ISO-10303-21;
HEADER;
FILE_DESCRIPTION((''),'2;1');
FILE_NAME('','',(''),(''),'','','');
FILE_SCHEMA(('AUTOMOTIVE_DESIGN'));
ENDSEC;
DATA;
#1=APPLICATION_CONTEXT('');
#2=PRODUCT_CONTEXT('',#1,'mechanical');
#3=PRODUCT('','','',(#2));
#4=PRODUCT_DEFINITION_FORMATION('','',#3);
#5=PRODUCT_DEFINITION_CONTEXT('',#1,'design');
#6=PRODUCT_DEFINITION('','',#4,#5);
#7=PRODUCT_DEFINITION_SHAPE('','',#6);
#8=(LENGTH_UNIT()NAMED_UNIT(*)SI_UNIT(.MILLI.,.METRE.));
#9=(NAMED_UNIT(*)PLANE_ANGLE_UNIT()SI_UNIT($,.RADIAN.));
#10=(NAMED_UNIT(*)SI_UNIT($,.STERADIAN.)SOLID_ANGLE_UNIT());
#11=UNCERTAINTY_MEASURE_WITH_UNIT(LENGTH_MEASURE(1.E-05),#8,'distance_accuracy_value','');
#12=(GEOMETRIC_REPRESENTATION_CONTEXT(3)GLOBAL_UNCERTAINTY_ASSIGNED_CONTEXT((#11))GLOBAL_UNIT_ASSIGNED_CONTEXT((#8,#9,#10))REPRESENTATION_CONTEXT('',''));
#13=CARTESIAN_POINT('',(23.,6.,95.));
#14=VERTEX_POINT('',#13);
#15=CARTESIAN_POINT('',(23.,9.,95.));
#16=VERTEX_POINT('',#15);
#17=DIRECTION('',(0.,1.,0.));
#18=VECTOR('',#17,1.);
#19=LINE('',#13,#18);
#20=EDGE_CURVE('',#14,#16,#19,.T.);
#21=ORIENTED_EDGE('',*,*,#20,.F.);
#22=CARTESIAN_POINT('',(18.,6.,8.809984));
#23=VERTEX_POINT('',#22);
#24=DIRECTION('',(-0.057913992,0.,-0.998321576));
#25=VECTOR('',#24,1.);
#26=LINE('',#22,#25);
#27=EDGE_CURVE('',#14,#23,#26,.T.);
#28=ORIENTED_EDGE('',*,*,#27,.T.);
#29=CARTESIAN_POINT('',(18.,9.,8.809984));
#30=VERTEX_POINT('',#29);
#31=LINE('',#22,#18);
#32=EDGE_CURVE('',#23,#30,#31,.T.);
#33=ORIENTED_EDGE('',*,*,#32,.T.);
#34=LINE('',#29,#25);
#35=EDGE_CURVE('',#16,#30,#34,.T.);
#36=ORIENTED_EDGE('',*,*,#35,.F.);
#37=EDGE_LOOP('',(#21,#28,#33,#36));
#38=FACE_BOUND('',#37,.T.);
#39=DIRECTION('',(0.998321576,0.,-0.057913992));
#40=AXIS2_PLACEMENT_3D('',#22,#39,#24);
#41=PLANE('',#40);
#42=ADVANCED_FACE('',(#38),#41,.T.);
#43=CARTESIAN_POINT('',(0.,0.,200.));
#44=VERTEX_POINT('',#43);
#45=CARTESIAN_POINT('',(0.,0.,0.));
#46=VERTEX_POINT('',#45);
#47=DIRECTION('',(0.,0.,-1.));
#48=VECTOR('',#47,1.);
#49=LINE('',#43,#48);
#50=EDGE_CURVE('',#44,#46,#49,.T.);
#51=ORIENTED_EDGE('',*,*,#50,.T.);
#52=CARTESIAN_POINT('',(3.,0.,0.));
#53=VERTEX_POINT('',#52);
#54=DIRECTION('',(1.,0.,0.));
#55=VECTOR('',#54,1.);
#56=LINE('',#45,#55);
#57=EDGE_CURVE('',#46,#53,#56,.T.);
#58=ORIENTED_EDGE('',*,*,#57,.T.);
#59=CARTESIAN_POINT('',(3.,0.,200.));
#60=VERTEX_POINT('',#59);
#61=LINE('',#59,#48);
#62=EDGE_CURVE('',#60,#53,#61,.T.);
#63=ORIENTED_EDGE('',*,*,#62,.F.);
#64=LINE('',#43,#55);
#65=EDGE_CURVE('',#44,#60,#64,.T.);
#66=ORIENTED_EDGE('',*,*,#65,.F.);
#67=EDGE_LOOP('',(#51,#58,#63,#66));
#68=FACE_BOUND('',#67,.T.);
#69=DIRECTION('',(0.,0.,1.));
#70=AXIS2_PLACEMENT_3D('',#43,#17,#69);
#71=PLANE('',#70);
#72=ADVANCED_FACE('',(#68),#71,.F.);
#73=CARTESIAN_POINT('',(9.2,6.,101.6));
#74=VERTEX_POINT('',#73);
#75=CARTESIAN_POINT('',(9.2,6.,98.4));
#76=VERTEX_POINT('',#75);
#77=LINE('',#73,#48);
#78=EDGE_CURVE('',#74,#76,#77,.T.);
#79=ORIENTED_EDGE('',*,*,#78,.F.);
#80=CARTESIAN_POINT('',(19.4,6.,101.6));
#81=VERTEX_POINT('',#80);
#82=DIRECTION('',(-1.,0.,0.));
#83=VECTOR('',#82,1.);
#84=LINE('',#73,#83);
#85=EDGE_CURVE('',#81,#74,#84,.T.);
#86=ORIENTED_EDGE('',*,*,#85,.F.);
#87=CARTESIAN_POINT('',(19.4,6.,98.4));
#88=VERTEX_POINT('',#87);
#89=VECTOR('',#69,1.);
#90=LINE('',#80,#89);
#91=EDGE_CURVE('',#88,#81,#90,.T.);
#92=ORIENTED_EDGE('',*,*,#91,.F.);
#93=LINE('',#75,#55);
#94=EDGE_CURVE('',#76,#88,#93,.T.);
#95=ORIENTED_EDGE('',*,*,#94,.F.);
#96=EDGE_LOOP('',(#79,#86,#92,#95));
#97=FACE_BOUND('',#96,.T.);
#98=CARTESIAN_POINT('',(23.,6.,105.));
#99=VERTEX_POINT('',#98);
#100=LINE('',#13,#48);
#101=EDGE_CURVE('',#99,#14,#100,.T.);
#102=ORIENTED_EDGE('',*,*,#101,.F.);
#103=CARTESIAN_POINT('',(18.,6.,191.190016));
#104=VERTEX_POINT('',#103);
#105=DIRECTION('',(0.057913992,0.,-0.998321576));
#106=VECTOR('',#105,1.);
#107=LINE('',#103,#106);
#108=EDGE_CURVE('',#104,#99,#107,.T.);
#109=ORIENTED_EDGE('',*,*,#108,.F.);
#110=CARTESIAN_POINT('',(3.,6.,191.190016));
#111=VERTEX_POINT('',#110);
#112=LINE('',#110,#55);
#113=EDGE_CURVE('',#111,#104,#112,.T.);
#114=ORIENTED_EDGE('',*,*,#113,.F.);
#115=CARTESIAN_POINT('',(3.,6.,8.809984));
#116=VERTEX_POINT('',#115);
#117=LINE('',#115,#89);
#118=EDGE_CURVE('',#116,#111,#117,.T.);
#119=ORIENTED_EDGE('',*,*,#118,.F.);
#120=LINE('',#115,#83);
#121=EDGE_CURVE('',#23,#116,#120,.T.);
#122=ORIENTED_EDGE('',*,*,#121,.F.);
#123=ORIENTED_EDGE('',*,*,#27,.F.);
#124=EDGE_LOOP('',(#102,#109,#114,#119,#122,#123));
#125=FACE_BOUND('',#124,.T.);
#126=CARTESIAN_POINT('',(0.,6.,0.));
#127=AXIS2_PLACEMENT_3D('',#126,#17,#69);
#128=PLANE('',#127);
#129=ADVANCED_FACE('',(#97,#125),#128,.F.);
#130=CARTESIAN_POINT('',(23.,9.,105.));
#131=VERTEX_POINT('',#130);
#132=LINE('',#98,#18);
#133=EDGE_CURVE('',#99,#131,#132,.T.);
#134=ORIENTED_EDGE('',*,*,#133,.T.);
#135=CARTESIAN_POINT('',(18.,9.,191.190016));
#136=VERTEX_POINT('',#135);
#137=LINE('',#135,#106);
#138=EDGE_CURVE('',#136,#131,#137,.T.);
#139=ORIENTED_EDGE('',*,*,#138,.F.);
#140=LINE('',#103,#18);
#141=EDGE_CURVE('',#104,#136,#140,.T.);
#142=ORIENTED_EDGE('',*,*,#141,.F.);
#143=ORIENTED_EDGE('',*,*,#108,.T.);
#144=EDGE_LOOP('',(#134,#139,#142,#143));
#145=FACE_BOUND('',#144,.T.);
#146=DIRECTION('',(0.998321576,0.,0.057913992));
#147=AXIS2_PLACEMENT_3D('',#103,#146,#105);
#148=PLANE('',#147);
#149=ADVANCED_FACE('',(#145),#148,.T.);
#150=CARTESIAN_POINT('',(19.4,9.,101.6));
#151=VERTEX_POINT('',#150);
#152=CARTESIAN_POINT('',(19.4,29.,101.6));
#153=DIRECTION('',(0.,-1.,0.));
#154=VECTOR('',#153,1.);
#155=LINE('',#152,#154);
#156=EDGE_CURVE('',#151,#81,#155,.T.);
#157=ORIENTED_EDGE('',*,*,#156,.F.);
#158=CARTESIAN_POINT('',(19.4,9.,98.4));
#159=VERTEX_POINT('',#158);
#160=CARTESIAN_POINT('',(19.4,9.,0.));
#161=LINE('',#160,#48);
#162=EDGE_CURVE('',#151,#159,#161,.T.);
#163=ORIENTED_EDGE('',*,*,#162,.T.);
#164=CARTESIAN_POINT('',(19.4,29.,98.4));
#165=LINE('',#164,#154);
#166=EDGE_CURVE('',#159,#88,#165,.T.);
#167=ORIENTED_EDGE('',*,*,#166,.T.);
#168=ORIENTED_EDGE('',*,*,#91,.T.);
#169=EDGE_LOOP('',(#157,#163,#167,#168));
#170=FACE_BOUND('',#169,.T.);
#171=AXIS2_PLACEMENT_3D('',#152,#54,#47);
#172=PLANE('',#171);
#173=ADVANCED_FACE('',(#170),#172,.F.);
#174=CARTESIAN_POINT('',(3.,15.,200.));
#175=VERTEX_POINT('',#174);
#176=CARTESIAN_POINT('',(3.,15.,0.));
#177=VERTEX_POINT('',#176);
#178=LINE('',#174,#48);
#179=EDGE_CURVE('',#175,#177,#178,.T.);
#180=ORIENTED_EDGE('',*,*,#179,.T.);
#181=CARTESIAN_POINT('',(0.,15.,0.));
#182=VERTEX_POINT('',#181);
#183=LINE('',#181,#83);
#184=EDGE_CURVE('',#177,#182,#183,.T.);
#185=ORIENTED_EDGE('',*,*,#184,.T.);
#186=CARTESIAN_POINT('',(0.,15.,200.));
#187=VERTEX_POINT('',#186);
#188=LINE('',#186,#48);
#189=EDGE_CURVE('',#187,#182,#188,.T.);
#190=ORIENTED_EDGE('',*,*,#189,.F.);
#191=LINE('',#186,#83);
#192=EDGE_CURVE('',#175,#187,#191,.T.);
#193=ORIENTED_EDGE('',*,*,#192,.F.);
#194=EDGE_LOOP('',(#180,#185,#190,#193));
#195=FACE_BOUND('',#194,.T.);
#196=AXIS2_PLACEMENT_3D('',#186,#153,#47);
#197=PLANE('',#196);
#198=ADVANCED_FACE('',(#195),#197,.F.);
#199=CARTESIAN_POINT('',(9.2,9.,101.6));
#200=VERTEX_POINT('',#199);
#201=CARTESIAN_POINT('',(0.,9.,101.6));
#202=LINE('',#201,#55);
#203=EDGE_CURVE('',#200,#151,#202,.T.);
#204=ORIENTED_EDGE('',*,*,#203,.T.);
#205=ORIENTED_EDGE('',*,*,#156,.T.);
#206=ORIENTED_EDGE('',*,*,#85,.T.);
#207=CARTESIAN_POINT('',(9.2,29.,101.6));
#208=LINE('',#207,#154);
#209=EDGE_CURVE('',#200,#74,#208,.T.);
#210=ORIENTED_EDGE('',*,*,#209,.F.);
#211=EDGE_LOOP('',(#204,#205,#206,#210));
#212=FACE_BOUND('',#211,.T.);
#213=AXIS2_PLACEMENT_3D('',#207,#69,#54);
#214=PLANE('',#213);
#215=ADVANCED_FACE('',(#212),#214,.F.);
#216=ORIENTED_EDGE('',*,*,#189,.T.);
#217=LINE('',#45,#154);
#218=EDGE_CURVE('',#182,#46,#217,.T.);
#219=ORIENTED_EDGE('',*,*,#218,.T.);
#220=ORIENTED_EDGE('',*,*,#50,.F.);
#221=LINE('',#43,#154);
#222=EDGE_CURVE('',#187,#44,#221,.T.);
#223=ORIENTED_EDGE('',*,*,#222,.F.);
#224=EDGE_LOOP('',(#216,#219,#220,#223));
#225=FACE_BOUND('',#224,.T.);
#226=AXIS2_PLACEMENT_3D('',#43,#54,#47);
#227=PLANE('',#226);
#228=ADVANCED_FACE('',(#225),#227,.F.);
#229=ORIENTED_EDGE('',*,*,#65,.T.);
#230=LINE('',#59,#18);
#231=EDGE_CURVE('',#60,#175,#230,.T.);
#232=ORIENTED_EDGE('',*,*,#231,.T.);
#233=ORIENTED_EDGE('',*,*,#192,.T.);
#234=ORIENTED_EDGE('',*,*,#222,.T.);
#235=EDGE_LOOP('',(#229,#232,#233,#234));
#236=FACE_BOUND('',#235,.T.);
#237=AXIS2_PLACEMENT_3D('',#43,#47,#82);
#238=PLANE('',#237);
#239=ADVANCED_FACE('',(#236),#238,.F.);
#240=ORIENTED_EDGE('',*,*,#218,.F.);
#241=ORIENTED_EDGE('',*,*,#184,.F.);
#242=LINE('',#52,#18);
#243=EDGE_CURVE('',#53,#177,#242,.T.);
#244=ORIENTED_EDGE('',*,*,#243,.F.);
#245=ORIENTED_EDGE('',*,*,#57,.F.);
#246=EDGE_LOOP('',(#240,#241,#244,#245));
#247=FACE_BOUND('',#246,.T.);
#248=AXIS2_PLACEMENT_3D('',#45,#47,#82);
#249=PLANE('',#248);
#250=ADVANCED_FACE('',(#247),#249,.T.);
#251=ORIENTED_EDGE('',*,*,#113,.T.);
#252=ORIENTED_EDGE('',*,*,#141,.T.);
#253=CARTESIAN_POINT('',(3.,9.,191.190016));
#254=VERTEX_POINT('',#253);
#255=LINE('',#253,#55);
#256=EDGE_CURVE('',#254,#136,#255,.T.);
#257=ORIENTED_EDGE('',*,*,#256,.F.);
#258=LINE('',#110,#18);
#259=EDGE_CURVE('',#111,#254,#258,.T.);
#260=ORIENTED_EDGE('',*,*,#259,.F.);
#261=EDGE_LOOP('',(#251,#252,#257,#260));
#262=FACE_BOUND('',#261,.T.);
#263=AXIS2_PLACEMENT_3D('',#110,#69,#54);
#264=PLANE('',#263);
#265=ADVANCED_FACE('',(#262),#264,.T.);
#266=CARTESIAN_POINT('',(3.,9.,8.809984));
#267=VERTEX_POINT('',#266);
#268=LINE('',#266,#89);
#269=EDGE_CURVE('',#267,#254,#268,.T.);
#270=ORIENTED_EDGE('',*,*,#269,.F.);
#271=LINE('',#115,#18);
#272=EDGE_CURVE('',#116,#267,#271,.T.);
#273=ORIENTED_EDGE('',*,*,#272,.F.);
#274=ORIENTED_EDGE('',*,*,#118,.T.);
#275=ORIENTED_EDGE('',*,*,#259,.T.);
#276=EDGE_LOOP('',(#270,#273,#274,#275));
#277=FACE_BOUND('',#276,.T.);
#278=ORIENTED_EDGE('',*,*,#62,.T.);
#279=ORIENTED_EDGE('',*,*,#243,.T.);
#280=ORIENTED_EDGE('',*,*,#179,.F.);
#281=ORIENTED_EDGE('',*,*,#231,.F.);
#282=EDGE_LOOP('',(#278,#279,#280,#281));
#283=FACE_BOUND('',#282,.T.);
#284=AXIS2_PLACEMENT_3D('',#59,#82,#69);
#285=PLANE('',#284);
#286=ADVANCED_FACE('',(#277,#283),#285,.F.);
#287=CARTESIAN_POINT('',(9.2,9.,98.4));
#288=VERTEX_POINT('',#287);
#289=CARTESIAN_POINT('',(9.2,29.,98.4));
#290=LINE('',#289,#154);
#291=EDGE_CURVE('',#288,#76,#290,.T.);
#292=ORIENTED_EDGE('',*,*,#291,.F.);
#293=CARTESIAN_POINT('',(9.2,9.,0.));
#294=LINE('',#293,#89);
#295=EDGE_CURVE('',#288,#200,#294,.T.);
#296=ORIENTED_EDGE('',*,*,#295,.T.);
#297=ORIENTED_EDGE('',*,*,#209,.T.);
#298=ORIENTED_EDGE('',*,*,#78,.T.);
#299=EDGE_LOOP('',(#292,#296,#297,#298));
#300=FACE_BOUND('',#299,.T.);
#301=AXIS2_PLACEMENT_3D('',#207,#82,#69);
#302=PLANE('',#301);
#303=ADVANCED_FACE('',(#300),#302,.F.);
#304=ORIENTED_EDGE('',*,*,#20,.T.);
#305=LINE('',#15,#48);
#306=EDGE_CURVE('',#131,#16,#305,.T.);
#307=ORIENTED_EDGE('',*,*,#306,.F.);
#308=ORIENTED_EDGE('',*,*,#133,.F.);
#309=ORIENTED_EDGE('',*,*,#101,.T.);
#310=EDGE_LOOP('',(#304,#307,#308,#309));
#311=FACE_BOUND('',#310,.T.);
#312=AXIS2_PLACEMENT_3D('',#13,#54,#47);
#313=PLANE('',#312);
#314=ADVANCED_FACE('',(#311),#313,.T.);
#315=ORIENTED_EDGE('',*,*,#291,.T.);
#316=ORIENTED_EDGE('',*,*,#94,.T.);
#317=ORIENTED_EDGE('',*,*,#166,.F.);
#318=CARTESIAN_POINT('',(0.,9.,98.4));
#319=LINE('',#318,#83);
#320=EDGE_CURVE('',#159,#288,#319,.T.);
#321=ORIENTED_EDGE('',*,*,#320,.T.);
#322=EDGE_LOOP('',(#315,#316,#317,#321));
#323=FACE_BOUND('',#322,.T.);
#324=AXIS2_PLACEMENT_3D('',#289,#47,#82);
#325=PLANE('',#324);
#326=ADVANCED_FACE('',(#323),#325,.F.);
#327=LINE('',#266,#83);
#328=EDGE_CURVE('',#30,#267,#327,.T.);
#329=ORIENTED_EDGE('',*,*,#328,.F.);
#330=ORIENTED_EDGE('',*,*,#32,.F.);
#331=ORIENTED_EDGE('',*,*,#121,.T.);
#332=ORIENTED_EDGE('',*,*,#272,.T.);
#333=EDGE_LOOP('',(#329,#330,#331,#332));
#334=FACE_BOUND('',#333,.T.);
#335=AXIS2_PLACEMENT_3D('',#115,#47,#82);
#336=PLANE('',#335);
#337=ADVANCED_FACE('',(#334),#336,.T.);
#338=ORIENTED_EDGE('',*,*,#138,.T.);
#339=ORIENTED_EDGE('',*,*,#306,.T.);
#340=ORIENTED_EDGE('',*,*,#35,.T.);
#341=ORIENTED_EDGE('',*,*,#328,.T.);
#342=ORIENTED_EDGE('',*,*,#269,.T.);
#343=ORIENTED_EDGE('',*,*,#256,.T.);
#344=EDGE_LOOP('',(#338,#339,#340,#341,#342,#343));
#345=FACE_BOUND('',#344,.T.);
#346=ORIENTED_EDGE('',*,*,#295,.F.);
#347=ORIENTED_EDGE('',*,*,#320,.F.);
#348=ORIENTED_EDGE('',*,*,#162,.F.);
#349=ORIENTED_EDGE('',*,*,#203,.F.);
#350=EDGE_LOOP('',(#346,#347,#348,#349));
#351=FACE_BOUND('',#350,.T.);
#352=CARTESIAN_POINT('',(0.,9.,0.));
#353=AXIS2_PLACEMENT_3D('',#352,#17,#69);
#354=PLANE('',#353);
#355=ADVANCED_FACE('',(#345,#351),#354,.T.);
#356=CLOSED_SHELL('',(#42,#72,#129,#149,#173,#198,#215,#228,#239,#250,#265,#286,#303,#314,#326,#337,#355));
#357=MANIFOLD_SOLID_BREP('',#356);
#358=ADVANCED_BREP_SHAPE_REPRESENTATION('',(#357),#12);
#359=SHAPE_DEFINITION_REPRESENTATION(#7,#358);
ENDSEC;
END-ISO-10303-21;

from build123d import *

# Parameters (mm, degrees)
SKETCH_1_W          = 3
SKETCH_1_H          = 15
EXTRUDE_1_DEPTH     = 200
EXTRUDE_7_DEPTH     = 3
SKETCH_13_W         = 10.2
SKETCH_13_H         = 3.2
CUT_EXTRUDE_2_DEPTH = 23


with BuildPart() as part:
    # 草图1 → 凸台-拉伸1 (new body)
    with BuildSketch(Plane.XY):
        with Locations((1.5, 7.5)):
            Rectangle(SKETCH_1_W, SKETCH_1_H)
    extrude(amount=EXTRUDE_1_DEPTH)

    # 草图12 → 凸台-拉伸7 (add)
    with BuildSketch(Plane(origin=(0, 9, 0), x_dir=(1, 0, 0), z_dir=(0, 1, 0))):
        Polygon((18, -191.190016229), (23, -105), (23, -95), (18, -8.809983771), (3, -8.809983771), (3, -191.190016229), align=None)
    extrude(amount=-EXTRUDE_7_DEPTH)

    # 草图13 → 切除-拉伸2 (cut)
    with BuildSketch(Plane.XZ.offset(-6)):
        with Locations((14.3, 100)):
            Rectangle(SKETCH_13_W, SKETCH_13_H)
    extrude(amount=-CUT_EXTRUDE_2_DEPTH, mode=Mode.SUBTRACT)


solid = part.part
